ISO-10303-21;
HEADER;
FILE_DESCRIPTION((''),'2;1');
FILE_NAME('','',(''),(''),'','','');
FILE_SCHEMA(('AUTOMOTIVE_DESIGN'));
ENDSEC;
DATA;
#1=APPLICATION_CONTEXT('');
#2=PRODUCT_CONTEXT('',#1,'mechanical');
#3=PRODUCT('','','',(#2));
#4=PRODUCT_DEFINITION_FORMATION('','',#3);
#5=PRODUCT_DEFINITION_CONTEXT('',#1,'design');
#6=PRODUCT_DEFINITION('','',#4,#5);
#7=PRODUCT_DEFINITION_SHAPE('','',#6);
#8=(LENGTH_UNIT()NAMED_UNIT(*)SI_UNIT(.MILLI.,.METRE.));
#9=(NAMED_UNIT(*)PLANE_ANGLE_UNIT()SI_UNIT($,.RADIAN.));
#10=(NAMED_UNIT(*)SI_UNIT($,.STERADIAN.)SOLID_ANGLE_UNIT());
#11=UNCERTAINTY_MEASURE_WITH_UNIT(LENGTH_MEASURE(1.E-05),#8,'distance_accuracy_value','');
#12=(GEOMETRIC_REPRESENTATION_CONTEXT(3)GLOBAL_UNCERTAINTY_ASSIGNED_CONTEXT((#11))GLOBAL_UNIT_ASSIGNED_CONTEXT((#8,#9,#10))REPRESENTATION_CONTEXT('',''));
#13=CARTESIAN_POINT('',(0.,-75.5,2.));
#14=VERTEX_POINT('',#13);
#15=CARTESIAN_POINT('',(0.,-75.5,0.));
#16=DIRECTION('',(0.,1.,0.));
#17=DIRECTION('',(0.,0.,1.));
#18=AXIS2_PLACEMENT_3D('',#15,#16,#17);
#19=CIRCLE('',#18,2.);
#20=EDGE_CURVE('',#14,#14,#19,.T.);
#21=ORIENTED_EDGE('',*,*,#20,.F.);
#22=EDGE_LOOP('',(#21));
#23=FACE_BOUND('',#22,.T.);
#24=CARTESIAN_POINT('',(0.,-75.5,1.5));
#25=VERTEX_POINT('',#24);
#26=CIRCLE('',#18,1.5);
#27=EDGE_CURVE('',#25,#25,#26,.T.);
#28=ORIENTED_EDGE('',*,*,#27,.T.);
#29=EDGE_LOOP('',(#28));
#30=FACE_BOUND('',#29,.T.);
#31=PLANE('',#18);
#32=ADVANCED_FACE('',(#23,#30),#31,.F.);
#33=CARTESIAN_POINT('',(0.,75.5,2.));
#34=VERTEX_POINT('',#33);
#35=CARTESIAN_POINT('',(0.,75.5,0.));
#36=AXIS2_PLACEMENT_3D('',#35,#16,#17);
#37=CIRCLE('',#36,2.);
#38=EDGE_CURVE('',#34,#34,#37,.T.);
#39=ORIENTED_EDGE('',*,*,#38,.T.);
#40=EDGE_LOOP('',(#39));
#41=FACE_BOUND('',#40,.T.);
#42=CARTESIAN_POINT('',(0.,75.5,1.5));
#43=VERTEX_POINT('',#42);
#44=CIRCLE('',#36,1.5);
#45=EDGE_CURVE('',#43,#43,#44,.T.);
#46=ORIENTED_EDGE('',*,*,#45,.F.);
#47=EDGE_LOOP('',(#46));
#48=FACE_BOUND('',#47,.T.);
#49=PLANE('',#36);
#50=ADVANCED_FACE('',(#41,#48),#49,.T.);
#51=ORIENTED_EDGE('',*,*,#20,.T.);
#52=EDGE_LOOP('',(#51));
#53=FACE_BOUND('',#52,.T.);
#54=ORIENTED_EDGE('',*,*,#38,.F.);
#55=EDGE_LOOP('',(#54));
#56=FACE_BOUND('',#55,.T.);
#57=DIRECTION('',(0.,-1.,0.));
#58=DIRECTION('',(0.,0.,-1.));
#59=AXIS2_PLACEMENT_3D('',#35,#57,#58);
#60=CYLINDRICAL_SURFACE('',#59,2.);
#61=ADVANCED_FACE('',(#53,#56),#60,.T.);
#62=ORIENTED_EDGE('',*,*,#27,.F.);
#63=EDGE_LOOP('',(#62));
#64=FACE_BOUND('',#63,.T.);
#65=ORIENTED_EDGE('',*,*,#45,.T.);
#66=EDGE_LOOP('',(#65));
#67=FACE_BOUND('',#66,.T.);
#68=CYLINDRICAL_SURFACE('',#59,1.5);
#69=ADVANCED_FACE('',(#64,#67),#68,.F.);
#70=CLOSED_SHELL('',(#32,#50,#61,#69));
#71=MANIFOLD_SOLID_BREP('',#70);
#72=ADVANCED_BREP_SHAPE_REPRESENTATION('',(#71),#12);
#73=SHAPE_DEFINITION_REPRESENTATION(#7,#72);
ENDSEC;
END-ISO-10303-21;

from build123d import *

# Parameters (mm, degrees)
SKETCH1_R           = 2
SKETCH1_R_2         = 1.5
BOSS_EXTRUDE1_DEPTH = 75.5


with BuildPart() as part:
    # Sketch1 → Boss-Extrude1 (new body, symmetric)
    with BuildSketch(Plane(origin=(0, 0, 0), x_dir=(1, 0, 0), z_dir=(0, 1, 0))):
        Circle(SKETCH1_R)
        Circle(SKETCH1_R_2, mode=Mode.SUBTRACT)
    extrude(amount=BOSS_EXTRUDE1_DEPTH, both=True)


solid = part.part
